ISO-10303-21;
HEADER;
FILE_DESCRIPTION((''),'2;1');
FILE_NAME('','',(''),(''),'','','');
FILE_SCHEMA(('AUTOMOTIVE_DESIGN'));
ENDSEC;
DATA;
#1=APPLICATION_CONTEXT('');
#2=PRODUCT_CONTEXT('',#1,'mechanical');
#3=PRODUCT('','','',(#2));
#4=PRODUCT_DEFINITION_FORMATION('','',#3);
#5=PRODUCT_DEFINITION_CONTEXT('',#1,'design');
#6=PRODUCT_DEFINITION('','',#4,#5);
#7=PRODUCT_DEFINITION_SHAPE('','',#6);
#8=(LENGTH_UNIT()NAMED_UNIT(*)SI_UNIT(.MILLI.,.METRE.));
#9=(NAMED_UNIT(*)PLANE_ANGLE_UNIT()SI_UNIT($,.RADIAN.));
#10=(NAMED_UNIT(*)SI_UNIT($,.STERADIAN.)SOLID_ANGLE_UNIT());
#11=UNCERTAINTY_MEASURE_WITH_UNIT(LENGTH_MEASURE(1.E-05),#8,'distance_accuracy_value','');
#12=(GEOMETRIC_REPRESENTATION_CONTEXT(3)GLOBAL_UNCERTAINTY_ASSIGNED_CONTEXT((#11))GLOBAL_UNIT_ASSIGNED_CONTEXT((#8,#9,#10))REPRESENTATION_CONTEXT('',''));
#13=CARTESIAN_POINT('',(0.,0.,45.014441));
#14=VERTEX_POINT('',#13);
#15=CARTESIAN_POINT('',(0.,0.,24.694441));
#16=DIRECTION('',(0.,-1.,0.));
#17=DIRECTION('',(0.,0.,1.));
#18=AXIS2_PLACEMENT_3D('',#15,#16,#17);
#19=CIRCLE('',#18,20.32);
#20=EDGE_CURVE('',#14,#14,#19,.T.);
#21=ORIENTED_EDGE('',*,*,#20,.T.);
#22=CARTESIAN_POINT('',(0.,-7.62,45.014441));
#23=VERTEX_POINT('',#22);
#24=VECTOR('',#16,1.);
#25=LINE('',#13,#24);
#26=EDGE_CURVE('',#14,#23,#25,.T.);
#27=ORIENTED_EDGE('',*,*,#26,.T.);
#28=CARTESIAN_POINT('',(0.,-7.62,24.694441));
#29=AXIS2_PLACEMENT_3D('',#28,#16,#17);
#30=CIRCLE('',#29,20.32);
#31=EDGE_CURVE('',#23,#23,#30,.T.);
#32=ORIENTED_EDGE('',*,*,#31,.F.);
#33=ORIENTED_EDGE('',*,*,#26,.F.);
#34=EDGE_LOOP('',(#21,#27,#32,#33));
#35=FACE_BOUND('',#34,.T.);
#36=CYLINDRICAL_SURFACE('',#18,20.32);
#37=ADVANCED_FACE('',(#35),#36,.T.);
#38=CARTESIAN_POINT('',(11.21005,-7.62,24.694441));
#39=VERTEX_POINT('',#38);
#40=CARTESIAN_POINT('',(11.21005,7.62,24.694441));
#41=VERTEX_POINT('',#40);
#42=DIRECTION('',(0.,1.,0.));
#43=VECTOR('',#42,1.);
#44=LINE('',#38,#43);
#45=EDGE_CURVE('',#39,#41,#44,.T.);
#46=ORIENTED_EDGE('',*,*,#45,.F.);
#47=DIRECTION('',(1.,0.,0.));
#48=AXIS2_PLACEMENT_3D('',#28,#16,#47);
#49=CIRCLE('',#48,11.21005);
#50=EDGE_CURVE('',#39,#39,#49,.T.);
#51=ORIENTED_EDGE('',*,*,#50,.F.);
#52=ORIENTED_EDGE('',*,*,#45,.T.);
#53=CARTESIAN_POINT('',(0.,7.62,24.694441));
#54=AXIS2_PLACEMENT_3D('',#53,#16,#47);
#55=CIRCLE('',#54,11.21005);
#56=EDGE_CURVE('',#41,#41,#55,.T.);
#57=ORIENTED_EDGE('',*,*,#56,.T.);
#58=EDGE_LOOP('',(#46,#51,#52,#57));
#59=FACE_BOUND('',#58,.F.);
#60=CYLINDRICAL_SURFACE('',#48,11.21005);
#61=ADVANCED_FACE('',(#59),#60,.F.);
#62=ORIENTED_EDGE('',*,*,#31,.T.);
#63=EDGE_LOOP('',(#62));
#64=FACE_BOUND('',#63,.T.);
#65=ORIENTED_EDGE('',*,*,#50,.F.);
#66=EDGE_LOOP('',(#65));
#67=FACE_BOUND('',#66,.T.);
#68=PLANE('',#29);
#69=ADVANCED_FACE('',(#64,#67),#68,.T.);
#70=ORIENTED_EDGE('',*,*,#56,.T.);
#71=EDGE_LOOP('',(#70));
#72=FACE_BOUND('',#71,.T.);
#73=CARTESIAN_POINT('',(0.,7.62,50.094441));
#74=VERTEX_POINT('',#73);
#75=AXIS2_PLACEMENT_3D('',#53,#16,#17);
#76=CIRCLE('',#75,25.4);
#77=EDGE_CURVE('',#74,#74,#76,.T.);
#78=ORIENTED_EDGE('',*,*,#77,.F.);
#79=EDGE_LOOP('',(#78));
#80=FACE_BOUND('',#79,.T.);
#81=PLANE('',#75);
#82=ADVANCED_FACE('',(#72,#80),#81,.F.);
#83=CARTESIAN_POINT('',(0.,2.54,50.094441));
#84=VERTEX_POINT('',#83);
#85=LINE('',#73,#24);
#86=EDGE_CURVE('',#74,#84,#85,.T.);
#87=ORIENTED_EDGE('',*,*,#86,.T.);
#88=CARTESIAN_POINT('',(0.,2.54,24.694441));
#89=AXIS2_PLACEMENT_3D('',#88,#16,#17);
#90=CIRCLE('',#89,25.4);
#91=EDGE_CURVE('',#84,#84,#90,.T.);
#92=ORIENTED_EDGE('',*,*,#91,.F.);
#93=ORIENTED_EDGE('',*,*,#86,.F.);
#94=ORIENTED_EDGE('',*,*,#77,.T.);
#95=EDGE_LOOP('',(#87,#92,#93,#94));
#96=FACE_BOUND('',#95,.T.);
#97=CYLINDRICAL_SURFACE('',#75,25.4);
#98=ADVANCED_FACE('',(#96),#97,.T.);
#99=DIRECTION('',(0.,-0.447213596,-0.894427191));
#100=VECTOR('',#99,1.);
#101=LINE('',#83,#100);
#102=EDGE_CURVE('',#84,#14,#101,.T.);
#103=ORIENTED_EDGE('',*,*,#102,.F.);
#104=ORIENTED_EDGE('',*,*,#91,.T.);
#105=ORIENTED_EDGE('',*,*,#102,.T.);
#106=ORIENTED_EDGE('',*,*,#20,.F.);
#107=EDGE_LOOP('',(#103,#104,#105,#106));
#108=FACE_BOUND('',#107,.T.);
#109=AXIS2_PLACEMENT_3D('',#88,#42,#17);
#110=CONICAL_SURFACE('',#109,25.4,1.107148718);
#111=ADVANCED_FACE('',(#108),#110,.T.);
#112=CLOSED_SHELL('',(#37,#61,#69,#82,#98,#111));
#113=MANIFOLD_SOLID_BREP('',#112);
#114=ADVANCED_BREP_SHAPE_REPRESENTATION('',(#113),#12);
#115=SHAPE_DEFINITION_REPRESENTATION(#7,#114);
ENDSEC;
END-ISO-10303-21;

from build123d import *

# Parameters (mm, degrees)
F2_R     = 11.21005
F3_DEPTH = 15.241


with BuildPart() as f1:
    # F0 (on Right) → F1 (revolve)
    with BuildSketch(Plane.YZ):
        Polygon((0, 45.014441), (-7.62, 45.014441), (-7.62, 24.694441), (7.62, 24.694441), (7.62, 50.094441), (2.54, 50.094441), align=None)
    revolve(axis=Axis((0, 0, 24.694441), (0, -1, 0)))

    # F2 (on face) → F3 (cut, through all)
    with BuildSketch(Plane.XZ.offset(7.62)):
        with Locations((0, 24.694441)):
            Circle(F2_R)
    extrude(amount=-F3_DEPTH, mode=Mode.SUBTRACT)


solid = f1.part
